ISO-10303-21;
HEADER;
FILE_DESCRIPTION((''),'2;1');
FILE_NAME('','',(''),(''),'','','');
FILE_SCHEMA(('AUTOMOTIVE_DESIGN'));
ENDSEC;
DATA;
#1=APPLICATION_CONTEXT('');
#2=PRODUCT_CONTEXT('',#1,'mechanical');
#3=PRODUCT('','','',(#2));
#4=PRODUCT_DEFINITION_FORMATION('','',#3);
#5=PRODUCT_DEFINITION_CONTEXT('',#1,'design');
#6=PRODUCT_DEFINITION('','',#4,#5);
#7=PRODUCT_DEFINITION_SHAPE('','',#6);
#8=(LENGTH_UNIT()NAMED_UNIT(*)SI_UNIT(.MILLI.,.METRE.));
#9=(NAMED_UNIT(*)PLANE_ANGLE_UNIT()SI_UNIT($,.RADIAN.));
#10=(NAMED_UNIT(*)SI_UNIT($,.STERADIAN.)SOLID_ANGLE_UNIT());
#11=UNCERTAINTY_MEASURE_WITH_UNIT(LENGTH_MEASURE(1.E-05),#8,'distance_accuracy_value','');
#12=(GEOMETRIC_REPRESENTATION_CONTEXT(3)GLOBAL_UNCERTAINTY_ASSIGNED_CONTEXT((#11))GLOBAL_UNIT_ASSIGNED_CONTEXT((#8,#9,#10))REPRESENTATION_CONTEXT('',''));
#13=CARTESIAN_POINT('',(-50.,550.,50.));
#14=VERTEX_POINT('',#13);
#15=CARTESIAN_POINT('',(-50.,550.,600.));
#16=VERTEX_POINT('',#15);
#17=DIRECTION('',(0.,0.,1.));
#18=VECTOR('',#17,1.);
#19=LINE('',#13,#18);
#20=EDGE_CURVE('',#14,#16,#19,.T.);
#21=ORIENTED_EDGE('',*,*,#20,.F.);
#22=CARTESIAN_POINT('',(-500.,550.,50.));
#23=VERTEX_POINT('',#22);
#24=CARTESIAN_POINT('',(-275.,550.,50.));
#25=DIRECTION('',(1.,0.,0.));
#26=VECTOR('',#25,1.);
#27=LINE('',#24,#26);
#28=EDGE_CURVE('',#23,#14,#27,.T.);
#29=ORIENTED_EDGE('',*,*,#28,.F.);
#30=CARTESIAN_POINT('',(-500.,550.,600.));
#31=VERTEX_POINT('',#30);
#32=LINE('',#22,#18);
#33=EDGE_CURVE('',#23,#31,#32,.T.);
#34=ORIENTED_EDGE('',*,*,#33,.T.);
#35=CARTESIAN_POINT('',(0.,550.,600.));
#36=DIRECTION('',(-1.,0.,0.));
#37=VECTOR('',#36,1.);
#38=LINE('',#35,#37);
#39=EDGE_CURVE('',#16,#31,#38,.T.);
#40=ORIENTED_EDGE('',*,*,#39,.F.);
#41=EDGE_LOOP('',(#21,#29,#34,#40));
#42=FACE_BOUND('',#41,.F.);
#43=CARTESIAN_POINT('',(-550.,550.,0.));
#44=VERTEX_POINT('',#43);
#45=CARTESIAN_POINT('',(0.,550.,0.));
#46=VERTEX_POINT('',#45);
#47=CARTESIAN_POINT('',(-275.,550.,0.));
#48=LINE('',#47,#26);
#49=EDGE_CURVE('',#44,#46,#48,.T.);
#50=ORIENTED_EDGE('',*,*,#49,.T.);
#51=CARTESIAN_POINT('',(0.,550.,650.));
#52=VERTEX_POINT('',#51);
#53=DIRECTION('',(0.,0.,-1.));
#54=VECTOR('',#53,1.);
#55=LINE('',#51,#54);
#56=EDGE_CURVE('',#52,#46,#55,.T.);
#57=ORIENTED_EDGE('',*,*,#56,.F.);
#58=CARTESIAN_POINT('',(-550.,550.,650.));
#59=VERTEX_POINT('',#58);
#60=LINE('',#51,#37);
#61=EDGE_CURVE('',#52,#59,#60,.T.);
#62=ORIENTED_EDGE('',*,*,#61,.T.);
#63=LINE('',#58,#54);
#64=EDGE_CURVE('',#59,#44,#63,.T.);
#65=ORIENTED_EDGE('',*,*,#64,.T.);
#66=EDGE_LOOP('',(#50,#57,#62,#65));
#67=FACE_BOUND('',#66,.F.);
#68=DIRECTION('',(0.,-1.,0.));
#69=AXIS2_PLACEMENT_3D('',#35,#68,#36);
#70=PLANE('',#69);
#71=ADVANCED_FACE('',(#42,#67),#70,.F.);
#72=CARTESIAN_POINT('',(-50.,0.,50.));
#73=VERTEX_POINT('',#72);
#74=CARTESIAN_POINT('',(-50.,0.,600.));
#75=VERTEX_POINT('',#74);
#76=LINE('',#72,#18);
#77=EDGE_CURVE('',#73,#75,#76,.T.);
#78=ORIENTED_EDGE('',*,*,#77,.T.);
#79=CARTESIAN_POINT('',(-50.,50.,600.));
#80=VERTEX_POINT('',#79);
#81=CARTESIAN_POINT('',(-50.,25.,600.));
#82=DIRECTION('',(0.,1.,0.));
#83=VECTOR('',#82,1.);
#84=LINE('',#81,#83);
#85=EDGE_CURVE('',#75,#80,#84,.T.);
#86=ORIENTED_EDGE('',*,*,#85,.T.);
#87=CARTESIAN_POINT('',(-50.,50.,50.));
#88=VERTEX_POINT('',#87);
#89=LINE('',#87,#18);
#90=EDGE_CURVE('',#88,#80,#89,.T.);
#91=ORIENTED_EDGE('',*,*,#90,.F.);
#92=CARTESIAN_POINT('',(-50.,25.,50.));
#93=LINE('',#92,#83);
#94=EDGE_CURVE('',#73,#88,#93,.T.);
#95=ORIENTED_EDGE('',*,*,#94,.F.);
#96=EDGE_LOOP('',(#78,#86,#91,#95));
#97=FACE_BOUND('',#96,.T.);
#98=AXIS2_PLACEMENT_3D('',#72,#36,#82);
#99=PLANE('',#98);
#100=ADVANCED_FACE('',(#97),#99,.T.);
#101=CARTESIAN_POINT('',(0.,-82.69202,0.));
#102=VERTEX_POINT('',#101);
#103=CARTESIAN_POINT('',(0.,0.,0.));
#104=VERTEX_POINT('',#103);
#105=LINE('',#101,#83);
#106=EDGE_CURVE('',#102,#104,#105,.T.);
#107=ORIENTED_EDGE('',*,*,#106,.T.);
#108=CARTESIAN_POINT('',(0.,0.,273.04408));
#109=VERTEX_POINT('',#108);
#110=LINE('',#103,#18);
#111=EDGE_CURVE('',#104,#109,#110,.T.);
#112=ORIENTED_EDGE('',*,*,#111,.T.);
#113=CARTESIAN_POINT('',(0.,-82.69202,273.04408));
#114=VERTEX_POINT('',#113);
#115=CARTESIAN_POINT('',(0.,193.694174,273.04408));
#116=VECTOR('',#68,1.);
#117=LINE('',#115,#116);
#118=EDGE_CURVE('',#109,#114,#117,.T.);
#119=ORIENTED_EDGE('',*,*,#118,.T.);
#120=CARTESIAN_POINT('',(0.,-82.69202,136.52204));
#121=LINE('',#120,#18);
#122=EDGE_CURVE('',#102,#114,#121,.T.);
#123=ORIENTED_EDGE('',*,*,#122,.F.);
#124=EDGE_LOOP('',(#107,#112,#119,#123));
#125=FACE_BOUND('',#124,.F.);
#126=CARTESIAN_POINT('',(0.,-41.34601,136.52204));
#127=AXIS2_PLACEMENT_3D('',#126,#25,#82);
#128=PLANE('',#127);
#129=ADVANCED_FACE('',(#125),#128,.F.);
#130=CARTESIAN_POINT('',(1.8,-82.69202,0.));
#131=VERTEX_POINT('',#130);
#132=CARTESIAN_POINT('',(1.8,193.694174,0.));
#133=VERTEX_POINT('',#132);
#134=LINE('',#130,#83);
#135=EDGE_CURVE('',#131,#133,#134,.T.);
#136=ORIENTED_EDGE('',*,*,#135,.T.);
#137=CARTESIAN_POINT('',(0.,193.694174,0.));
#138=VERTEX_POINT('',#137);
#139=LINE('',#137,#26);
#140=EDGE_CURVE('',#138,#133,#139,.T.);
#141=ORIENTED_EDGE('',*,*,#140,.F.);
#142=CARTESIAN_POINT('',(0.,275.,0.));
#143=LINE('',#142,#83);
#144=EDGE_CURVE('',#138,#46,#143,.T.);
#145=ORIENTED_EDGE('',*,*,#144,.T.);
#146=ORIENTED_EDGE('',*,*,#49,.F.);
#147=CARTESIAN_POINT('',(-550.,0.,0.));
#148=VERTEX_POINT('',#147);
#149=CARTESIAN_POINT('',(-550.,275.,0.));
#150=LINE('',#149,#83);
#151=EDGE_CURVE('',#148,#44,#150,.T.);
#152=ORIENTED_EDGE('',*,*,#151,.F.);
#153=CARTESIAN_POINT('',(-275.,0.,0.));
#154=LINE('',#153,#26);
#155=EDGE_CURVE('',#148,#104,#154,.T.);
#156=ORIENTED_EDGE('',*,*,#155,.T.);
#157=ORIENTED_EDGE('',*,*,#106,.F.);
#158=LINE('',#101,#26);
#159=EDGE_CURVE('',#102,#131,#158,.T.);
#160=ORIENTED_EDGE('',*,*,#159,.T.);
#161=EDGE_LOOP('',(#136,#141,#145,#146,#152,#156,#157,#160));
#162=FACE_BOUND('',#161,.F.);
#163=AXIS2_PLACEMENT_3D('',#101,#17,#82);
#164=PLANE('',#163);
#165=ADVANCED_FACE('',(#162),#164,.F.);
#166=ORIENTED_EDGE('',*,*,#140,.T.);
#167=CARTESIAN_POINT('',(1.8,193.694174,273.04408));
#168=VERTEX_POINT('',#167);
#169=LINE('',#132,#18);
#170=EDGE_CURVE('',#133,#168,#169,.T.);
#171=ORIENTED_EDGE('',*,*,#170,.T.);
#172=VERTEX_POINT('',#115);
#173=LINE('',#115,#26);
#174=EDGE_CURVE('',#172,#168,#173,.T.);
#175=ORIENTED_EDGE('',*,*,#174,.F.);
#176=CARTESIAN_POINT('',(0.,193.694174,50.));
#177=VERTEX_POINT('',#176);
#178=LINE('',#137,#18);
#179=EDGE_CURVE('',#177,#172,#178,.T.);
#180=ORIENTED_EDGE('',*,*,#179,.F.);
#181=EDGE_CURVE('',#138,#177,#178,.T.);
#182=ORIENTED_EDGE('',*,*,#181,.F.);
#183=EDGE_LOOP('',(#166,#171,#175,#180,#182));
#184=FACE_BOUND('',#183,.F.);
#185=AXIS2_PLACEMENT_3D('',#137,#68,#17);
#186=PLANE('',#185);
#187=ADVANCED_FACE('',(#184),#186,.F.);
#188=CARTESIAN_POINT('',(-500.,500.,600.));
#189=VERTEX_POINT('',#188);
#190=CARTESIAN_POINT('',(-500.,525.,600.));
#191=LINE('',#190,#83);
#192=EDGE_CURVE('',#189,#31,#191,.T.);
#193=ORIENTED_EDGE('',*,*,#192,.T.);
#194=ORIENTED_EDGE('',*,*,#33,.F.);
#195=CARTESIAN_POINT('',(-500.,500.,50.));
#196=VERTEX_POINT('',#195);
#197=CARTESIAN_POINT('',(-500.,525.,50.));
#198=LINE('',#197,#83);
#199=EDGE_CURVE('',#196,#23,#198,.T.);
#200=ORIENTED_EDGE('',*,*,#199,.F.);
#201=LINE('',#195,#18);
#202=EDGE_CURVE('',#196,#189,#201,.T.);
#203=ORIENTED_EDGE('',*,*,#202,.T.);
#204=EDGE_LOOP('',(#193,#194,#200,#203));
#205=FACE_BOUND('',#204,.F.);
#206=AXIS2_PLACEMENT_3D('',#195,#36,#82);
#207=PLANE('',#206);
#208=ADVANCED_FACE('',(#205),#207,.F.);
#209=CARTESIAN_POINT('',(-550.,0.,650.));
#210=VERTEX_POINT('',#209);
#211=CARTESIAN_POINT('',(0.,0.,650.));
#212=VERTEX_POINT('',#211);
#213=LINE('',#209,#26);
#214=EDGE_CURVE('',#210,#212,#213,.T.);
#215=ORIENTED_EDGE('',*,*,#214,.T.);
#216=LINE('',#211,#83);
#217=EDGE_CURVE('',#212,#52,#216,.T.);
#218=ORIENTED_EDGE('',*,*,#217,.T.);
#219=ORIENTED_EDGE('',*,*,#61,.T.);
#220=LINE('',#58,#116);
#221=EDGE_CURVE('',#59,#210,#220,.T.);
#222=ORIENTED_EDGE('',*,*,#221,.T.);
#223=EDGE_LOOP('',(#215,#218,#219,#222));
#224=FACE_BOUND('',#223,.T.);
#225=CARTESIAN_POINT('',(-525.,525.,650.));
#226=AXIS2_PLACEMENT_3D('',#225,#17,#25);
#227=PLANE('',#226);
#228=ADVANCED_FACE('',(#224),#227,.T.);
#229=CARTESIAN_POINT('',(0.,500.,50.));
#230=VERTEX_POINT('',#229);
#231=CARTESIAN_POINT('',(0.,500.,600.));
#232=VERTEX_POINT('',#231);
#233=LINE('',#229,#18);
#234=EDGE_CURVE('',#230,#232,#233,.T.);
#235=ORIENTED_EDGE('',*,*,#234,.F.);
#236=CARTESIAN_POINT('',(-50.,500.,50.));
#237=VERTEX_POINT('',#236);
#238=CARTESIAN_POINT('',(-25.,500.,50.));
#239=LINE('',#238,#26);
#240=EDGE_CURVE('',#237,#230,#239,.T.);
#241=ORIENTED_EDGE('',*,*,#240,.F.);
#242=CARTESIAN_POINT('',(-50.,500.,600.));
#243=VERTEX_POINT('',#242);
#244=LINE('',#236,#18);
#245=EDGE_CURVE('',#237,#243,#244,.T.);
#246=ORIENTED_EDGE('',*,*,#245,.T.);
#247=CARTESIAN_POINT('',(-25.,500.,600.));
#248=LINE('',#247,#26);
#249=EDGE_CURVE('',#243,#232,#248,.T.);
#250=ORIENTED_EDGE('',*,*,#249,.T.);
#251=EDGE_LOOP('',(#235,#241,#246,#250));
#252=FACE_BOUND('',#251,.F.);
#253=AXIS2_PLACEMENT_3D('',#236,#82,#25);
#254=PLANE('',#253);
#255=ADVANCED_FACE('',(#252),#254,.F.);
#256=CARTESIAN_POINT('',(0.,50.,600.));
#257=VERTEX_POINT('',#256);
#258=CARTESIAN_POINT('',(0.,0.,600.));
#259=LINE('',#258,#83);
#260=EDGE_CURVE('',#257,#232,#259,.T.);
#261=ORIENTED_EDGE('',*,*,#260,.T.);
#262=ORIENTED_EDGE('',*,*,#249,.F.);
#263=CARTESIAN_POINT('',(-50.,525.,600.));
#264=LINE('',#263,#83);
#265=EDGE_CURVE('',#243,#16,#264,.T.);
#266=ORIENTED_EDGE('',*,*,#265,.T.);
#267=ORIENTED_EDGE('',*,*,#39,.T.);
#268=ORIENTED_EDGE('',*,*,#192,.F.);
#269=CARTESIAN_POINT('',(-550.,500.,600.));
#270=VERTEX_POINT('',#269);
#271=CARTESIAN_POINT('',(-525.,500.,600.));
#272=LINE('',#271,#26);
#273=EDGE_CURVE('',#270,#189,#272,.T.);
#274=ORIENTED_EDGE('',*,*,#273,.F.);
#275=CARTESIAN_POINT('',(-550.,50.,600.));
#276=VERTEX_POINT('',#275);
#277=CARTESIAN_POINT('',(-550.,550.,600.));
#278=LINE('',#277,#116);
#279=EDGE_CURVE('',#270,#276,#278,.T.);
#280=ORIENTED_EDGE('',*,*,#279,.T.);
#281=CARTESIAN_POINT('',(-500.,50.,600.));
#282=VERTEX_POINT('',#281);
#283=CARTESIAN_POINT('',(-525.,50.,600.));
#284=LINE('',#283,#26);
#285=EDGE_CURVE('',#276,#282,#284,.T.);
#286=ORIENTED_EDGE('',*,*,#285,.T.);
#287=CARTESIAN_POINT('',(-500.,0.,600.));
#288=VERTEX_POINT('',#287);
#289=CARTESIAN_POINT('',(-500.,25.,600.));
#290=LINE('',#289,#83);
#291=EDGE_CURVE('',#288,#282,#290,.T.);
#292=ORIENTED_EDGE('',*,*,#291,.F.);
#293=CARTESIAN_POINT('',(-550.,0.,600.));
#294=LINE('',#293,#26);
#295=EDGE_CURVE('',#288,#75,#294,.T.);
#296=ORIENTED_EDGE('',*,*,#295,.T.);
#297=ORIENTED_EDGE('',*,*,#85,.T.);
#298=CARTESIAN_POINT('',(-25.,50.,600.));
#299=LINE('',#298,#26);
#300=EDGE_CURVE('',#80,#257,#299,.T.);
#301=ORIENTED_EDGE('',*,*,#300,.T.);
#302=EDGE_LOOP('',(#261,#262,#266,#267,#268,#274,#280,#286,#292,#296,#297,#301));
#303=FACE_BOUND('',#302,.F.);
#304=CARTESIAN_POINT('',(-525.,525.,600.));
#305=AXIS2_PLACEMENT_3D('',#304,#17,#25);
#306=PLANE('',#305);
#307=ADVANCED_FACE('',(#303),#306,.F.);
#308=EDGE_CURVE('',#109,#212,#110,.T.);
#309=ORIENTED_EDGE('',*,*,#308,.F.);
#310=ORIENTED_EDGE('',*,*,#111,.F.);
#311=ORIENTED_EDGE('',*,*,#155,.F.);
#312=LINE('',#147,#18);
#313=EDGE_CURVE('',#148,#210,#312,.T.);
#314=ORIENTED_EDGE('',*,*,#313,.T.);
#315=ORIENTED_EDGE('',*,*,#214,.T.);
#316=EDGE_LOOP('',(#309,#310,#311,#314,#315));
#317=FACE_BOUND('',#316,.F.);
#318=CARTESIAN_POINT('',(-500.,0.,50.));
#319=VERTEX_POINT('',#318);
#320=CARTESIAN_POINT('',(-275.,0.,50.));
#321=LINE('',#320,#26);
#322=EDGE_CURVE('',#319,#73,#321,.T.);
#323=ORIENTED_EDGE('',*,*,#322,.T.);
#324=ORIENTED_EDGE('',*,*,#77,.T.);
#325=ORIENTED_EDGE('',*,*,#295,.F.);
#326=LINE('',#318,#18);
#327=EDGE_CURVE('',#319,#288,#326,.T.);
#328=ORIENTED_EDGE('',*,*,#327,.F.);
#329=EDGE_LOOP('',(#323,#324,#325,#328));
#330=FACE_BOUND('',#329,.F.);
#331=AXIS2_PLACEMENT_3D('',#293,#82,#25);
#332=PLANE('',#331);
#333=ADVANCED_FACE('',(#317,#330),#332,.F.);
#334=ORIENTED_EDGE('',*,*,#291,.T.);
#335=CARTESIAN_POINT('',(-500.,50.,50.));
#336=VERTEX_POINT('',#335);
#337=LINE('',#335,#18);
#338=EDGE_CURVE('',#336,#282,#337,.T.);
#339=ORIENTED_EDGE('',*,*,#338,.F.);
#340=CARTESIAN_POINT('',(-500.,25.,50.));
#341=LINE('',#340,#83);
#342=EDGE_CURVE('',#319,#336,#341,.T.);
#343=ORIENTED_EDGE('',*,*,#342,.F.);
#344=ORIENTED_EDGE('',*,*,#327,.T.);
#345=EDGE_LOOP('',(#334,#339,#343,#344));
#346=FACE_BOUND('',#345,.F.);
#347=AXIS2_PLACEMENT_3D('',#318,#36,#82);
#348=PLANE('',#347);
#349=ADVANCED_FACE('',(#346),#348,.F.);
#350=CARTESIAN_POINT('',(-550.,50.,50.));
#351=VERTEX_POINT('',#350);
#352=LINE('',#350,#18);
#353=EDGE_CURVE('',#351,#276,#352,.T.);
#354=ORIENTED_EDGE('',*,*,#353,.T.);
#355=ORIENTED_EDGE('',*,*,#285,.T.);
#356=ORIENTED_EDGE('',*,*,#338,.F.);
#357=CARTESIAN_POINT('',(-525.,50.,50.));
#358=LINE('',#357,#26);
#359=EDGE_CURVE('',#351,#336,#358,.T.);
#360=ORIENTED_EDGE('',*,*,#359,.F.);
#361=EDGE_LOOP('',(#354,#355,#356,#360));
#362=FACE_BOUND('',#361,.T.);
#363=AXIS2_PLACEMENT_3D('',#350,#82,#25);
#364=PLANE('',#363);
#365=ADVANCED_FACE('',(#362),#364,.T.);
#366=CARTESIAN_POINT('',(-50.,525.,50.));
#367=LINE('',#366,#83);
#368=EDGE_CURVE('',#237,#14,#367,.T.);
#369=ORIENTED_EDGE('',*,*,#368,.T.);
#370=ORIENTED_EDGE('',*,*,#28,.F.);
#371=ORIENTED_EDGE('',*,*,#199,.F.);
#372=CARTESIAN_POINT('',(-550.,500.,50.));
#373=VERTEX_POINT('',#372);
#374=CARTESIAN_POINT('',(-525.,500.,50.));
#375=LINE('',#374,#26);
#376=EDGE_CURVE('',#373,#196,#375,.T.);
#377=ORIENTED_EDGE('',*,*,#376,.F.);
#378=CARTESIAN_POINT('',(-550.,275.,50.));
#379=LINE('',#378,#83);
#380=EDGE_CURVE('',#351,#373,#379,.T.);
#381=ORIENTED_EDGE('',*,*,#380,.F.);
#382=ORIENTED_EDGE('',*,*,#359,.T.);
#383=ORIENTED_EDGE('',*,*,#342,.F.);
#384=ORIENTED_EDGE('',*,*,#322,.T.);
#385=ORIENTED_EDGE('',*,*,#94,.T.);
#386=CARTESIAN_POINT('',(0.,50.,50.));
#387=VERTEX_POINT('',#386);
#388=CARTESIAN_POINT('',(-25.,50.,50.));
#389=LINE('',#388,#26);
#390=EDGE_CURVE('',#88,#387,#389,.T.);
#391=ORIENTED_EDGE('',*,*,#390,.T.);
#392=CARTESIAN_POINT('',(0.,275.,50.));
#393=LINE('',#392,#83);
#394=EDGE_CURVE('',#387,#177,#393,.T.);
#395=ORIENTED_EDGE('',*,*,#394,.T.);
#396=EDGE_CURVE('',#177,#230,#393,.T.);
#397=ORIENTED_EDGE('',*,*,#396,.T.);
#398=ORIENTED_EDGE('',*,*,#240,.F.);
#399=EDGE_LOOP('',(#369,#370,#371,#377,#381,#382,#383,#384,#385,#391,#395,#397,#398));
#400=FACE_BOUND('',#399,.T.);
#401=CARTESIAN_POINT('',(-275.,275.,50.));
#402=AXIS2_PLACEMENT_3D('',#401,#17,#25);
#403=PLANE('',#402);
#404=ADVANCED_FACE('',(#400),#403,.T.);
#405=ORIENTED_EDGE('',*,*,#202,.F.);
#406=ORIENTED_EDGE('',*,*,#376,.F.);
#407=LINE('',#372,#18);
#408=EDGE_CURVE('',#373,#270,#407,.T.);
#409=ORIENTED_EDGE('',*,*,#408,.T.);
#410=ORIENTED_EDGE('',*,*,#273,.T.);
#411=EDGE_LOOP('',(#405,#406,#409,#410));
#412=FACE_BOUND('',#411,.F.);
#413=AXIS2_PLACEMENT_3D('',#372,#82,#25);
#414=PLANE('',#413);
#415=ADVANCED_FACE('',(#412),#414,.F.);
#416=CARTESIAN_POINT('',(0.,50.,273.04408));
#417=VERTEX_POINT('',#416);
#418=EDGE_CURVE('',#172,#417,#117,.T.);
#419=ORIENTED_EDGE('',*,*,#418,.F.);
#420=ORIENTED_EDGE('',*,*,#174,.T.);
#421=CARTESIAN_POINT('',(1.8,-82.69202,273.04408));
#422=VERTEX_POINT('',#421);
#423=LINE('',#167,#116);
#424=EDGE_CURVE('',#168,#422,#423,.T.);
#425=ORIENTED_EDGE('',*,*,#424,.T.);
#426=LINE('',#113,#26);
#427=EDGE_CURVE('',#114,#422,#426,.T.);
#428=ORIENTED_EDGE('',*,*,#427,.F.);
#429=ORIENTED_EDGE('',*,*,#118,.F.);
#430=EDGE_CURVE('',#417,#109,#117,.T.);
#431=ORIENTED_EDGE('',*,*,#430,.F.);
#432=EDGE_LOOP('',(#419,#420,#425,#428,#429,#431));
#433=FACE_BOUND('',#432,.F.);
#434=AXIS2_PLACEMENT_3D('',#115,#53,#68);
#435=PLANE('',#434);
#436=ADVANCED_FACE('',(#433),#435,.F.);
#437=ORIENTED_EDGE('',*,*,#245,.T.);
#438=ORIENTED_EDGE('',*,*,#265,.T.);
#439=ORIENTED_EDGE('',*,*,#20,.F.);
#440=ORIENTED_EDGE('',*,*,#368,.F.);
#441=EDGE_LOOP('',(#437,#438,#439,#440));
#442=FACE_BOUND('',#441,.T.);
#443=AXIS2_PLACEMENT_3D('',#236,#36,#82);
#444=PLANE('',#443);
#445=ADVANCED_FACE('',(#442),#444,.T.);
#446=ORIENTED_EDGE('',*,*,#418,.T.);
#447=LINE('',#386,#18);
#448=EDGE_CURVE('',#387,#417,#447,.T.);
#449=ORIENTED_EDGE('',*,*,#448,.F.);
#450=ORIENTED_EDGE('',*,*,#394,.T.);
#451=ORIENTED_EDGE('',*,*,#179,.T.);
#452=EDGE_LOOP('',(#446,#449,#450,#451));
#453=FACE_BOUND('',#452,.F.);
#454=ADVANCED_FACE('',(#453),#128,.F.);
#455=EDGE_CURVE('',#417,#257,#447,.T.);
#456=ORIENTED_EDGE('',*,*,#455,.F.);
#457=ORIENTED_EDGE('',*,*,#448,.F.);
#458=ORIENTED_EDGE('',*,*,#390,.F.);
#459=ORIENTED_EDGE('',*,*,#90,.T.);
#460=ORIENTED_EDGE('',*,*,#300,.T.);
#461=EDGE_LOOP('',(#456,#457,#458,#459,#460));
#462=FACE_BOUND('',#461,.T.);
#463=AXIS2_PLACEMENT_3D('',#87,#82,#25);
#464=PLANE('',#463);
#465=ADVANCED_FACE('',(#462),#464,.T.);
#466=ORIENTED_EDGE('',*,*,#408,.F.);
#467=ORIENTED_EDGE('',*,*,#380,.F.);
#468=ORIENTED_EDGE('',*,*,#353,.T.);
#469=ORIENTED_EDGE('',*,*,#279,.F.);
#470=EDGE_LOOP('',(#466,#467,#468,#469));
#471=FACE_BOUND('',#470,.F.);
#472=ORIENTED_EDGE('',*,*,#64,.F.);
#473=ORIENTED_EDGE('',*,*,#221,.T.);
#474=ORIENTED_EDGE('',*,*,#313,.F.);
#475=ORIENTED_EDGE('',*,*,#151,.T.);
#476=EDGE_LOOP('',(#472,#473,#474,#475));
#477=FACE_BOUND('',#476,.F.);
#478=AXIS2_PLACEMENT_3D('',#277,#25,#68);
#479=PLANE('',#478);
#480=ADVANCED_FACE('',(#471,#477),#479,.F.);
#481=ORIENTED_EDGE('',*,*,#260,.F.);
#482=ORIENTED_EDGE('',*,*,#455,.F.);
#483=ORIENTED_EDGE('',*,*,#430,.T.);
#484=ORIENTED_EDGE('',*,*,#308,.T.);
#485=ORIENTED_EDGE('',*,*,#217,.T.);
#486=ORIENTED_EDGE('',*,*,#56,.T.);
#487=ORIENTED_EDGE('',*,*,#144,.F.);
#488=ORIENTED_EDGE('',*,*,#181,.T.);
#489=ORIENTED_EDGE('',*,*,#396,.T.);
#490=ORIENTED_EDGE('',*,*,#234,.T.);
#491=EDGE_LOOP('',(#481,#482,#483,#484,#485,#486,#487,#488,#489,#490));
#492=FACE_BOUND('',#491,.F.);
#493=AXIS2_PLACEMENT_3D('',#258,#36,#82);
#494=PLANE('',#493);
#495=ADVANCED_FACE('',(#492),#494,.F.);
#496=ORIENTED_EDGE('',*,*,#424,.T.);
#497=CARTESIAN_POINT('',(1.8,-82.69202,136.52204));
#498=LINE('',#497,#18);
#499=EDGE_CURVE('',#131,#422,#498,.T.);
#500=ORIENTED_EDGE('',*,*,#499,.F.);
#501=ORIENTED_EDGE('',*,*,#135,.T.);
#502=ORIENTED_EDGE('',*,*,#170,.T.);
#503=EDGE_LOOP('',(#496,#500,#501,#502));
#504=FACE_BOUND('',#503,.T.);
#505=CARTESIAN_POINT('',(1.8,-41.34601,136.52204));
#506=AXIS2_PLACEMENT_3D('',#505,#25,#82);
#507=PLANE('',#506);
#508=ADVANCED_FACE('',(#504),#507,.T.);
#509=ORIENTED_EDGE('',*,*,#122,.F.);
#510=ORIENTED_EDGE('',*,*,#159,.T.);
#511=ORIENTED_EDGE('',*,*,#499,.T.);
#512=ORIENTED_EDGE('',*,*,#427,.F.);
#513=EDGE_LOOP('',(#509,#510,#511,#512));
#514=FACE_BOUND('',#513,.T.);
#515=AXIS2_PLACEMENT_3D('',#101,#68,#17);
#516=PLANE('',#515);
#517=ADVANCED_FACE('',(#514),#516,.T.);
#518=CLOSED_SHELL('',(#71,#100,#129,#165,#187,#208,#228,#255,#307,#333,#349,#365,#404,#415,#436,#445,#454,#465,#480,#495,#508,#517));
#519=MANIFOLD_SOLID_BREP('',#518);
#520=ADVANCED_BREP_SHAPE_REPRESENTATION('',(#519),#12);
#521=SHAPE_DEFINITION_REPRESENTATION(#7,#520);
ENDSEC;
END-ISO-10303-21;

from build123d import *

# Parameters (mm, degrees)
F0_W     = 550
F0_H     = 550
F1_DEPTH = 50
F2_W     = 50
F2_H     = 50
F3_DEPTH = 550
F4_W     = 50
F4_H     = 50
F5_DEPTH = 50
F6_W     = 82.6920196414
F6_H     = 273.0440795422
F6_W_2   = 143.6941742897
F6_H_2   = 223.0440795422
F7_DEPTH = 1.8


with BuildPart() as f1:
    # F0 (on Top) → F1 (new body)
    with BuildSketch(Plane.XY):
        with Locations((-275, 275)):
            Rectangle(F0_W, F0_H)
    extrude(amount=F1_DEPTH)

    # F2 (on face) → F3 (join)
    with BuildSketch(Plane.XY.offset(50)):
        with Locations((-525, 525)):
            Rectangle(F2_W, F2_H)
        with Locations((-525, 25)):
            Rectangle(F2_W, F2_H)
        with Locations((-25, 25)):
            Rectangle(F2_W, F2_H)
        with Locations((-25, 525)):
            Rectangle(F2_W, F2_H)
    extrude(amount=F3_DEPTH)

    # F4 (on face) → F5 (join)
    with BuildSketch(Plane.XY.offset(600)):
        with Locations((-525, 525)):
            Rectangle(F4_W, F4_H)
        Polygon((0, 550), (-500, 550), (-500, 500), (-550, 500), (-550, 0), (0, 0), align=None)
    extrude(amount=F5_DEPTH)

    # F6 (on face) → F7 (join)
    with BuildSketch(Plane.YZ):
        with Locations((-41.3460098207, 136.5220397711)):
            Rectangle(F6_W, F6_H)
        Polygon((0, 0), (193.6941742897, 0), (193.6941742897, 50), (50, 50), (50, 273.0440795422), (0, 273.0440795422), align=None)
        with Locations((121.8470871449, 161.5220397711)):
            Rectangle(F6_W_2, F6_H_2)
    extrude(amount=F7_DEPTH)


solid = f1.part
